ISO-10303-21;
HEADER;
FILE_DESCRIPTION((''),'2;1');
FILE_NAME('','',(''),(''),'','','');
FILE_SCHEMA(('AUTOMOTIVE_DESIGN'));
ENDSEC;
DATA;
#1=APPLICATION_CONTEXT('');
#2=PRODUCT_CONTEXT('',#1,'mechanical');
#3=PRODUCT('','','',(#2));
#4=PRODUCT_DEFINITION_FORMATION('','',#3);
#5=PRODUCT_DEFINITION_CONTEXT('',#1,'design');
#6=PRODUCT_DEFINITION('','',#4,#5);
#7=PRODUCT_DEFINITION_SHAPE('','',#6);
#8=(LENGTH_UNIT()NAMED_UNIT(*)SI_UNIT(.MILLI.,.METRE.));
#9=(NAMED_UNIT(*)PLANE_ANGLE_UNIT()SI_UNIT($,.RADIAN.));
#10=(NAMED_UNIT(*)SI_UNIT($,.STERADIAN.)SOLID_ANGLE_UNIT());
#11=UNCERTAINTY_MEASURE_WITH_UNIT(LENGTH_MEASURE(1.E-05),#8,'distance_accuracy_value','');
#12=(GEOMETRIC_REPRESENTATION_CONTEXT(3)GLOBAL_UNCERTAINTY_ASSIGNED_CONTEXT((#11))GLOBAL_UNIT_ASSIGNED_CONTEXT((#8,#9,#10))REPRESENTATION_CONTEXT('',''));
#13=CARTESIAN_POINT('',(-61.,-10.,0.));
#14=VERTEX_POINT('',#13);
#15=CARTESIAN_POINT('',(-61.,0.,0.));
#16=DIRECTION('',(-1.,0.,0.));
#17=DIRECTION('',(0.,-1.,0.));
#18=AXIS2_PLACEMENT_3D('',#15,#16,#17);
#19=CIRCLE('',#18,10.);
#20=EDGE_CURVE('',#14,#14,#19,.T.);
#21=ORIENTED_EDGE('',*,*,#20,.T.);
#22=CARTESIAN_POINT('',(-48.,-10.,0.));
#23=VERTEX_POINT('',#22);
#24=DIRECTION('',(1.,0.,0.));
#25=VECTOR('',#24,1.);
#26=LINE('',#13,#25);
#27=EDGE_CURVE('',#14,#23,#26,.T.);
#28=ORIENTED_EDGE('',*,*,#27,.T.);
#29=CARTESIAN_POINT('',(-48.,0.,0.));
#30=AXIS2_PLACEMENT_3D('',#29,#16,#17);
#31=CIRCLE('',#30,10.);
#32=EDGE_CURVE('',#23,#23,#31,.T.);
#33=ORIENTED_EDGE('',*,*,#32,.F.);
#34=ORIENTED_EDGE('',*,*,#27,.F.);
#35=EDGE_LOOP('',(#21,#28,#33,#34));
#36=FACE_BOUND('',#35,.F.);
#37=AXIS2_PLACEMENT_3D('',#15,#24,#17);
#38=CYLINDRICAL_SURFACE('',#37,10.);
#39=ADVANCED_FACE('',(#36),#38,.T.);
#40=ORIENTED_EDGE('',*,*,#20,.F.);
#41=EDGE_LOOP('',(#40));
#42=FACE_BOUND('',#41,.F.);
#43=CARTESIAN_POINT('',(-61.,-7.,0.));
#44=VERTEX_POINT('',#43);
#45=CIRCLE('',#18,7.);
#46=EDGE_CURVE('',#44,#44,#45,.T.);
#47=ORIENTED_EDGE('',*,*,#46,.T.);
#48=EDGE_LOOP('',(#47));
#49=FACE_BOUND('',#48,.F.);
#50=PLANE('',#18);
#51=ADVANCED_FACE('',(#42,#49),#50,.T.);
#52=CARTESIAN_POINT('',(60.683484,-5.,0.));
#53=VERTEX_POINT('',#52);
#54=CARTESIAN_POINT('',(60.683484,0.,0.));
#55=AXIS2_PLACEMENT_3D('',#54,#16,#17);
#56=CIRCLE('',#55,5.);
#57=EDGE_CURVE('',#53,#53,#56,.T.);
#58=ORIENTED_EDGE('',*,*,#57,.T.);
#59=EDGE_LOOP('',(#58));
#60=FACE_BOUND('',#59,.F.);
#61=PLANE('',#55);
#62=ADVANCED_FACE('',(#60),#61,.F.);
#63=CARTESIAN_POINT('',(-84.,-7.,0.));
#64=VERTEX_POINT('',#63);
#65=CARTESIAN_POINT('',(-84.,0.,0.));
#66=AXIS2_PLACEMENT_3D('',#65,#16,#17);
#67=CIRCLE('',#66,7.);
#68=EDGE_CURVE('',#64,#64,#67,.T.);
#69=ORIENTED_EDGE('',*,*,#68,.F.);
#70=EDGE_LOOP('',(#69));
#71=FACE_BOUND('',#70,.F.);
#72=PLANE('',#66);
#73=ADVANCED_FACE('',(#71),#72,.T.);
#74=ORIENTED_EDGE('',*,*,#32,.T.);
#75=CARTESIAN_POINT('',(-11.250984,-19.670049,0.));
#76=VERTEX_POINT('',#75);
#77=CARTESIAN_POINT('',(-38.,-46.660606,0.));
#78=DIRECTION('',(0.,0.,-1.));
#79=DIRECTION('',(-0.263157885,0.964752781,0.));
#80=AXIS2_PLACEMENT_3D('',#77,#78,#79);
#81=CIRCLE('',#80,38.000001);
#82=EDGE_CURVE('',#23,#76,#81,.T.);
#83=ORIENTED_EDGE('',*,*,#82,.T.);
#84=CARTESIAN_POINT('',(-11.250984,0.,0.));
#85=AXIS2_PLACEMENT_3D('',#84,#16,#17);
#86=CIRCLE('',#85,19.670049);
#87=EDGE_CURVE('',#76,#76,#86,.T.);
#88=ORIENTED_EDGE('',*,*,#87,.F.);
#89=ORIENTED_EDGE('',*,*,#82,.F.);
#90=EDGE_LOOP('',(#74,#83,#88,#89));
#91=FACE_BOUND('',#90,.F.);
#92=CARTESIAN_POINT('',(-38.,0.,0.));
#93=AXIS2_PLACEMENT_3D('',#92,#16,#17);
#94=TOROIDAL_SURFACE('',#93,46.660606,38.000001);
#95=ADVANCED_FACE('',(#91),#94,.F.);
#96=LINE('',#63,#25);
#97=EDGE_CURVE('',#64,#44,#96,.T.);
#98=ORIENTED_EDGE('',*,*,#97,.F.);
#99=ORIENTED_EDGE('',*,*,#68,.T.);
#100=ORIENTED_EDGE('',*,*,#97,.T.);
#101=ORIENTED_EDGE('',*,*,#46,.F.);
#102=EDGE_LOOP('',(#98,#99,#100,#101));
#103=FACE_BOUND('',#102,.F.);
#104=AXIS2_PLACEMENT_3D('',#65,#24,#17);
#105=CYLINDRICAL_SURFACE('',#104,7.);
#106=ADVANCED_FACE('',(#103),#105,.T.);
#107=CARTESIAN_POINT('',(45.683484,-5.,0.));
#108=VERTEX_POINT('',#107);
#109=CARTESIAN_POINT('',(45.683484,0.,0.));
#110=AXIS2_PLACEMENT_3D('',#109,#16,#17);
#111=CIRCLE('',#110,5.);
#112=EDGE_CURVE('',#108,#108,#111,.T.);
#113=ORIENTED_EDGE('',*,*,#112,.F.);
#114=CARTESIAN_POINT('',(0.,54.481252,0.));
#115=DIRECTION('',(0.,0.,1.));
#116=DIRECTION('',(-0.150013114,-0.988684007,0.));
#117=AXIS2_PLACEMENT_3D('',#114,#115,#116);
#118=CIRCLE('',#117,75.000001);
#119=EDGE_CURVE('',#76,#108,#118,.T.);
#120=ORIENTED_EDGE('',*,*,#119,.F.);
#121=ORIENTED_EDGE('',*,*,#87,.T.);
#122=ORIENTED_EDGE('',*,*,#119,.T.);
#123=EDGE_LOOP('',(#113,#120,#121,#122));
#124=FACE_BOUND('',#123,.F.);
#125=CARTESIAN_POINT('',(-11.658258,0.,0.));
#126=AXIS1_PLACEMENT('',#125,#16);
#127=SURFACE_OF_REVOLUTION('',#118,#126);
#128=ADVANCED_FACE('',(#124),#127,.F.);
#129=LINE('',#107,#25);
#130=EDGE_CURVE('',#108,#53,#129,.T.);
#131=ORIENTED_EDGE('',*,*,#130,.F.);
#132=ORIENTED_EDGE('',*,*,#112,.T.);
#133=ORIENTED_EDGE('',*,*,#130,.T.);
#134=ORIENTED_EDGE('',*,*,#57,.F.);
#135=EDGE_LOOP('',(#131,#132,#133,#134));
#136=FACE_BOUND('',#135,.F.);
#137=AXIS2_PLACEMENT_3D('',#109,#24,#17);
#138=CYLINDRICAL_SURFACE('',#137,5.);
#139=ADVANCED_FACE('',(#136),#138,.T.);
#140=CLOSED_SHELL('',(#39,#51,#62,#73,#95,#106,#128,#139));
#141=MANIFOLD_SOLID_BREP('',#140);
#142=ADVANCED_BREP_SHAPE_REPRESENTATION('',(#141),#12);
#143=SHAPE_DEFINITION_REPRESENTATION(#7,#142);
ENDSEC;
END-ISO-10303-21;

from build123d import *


with BuildPart() as f1:
    # F0 (on Top) → F1 (revolve)
    with BuildSketch(Plane.XY):
        with BuildLine():
            Line((-84, -7), (-61, -7))
            Line((-61, -7), (-61, -10))
            Line((-61, -10), (-48, -10))
            ThreePointArc((-48, -10), (-28.329951, -9.91159), (-11.250984, -19.670049))
            ThreePointArc((-11.250984, -19.670049), (18.713681, -18.146554), (45.683484, -5))
            Line((45.683484, -5), (60.683484, -5))
            Line((60.683484, -5), (60.683484, 0))
            Line((60.683484, 0), (-84, 0))
            Line((-84, 0), (-84, -7))
        make_face()
    revolve(axis=Axis((-11.658258, 0, 0), (-1, 0, 0)))


solid = f1.part
